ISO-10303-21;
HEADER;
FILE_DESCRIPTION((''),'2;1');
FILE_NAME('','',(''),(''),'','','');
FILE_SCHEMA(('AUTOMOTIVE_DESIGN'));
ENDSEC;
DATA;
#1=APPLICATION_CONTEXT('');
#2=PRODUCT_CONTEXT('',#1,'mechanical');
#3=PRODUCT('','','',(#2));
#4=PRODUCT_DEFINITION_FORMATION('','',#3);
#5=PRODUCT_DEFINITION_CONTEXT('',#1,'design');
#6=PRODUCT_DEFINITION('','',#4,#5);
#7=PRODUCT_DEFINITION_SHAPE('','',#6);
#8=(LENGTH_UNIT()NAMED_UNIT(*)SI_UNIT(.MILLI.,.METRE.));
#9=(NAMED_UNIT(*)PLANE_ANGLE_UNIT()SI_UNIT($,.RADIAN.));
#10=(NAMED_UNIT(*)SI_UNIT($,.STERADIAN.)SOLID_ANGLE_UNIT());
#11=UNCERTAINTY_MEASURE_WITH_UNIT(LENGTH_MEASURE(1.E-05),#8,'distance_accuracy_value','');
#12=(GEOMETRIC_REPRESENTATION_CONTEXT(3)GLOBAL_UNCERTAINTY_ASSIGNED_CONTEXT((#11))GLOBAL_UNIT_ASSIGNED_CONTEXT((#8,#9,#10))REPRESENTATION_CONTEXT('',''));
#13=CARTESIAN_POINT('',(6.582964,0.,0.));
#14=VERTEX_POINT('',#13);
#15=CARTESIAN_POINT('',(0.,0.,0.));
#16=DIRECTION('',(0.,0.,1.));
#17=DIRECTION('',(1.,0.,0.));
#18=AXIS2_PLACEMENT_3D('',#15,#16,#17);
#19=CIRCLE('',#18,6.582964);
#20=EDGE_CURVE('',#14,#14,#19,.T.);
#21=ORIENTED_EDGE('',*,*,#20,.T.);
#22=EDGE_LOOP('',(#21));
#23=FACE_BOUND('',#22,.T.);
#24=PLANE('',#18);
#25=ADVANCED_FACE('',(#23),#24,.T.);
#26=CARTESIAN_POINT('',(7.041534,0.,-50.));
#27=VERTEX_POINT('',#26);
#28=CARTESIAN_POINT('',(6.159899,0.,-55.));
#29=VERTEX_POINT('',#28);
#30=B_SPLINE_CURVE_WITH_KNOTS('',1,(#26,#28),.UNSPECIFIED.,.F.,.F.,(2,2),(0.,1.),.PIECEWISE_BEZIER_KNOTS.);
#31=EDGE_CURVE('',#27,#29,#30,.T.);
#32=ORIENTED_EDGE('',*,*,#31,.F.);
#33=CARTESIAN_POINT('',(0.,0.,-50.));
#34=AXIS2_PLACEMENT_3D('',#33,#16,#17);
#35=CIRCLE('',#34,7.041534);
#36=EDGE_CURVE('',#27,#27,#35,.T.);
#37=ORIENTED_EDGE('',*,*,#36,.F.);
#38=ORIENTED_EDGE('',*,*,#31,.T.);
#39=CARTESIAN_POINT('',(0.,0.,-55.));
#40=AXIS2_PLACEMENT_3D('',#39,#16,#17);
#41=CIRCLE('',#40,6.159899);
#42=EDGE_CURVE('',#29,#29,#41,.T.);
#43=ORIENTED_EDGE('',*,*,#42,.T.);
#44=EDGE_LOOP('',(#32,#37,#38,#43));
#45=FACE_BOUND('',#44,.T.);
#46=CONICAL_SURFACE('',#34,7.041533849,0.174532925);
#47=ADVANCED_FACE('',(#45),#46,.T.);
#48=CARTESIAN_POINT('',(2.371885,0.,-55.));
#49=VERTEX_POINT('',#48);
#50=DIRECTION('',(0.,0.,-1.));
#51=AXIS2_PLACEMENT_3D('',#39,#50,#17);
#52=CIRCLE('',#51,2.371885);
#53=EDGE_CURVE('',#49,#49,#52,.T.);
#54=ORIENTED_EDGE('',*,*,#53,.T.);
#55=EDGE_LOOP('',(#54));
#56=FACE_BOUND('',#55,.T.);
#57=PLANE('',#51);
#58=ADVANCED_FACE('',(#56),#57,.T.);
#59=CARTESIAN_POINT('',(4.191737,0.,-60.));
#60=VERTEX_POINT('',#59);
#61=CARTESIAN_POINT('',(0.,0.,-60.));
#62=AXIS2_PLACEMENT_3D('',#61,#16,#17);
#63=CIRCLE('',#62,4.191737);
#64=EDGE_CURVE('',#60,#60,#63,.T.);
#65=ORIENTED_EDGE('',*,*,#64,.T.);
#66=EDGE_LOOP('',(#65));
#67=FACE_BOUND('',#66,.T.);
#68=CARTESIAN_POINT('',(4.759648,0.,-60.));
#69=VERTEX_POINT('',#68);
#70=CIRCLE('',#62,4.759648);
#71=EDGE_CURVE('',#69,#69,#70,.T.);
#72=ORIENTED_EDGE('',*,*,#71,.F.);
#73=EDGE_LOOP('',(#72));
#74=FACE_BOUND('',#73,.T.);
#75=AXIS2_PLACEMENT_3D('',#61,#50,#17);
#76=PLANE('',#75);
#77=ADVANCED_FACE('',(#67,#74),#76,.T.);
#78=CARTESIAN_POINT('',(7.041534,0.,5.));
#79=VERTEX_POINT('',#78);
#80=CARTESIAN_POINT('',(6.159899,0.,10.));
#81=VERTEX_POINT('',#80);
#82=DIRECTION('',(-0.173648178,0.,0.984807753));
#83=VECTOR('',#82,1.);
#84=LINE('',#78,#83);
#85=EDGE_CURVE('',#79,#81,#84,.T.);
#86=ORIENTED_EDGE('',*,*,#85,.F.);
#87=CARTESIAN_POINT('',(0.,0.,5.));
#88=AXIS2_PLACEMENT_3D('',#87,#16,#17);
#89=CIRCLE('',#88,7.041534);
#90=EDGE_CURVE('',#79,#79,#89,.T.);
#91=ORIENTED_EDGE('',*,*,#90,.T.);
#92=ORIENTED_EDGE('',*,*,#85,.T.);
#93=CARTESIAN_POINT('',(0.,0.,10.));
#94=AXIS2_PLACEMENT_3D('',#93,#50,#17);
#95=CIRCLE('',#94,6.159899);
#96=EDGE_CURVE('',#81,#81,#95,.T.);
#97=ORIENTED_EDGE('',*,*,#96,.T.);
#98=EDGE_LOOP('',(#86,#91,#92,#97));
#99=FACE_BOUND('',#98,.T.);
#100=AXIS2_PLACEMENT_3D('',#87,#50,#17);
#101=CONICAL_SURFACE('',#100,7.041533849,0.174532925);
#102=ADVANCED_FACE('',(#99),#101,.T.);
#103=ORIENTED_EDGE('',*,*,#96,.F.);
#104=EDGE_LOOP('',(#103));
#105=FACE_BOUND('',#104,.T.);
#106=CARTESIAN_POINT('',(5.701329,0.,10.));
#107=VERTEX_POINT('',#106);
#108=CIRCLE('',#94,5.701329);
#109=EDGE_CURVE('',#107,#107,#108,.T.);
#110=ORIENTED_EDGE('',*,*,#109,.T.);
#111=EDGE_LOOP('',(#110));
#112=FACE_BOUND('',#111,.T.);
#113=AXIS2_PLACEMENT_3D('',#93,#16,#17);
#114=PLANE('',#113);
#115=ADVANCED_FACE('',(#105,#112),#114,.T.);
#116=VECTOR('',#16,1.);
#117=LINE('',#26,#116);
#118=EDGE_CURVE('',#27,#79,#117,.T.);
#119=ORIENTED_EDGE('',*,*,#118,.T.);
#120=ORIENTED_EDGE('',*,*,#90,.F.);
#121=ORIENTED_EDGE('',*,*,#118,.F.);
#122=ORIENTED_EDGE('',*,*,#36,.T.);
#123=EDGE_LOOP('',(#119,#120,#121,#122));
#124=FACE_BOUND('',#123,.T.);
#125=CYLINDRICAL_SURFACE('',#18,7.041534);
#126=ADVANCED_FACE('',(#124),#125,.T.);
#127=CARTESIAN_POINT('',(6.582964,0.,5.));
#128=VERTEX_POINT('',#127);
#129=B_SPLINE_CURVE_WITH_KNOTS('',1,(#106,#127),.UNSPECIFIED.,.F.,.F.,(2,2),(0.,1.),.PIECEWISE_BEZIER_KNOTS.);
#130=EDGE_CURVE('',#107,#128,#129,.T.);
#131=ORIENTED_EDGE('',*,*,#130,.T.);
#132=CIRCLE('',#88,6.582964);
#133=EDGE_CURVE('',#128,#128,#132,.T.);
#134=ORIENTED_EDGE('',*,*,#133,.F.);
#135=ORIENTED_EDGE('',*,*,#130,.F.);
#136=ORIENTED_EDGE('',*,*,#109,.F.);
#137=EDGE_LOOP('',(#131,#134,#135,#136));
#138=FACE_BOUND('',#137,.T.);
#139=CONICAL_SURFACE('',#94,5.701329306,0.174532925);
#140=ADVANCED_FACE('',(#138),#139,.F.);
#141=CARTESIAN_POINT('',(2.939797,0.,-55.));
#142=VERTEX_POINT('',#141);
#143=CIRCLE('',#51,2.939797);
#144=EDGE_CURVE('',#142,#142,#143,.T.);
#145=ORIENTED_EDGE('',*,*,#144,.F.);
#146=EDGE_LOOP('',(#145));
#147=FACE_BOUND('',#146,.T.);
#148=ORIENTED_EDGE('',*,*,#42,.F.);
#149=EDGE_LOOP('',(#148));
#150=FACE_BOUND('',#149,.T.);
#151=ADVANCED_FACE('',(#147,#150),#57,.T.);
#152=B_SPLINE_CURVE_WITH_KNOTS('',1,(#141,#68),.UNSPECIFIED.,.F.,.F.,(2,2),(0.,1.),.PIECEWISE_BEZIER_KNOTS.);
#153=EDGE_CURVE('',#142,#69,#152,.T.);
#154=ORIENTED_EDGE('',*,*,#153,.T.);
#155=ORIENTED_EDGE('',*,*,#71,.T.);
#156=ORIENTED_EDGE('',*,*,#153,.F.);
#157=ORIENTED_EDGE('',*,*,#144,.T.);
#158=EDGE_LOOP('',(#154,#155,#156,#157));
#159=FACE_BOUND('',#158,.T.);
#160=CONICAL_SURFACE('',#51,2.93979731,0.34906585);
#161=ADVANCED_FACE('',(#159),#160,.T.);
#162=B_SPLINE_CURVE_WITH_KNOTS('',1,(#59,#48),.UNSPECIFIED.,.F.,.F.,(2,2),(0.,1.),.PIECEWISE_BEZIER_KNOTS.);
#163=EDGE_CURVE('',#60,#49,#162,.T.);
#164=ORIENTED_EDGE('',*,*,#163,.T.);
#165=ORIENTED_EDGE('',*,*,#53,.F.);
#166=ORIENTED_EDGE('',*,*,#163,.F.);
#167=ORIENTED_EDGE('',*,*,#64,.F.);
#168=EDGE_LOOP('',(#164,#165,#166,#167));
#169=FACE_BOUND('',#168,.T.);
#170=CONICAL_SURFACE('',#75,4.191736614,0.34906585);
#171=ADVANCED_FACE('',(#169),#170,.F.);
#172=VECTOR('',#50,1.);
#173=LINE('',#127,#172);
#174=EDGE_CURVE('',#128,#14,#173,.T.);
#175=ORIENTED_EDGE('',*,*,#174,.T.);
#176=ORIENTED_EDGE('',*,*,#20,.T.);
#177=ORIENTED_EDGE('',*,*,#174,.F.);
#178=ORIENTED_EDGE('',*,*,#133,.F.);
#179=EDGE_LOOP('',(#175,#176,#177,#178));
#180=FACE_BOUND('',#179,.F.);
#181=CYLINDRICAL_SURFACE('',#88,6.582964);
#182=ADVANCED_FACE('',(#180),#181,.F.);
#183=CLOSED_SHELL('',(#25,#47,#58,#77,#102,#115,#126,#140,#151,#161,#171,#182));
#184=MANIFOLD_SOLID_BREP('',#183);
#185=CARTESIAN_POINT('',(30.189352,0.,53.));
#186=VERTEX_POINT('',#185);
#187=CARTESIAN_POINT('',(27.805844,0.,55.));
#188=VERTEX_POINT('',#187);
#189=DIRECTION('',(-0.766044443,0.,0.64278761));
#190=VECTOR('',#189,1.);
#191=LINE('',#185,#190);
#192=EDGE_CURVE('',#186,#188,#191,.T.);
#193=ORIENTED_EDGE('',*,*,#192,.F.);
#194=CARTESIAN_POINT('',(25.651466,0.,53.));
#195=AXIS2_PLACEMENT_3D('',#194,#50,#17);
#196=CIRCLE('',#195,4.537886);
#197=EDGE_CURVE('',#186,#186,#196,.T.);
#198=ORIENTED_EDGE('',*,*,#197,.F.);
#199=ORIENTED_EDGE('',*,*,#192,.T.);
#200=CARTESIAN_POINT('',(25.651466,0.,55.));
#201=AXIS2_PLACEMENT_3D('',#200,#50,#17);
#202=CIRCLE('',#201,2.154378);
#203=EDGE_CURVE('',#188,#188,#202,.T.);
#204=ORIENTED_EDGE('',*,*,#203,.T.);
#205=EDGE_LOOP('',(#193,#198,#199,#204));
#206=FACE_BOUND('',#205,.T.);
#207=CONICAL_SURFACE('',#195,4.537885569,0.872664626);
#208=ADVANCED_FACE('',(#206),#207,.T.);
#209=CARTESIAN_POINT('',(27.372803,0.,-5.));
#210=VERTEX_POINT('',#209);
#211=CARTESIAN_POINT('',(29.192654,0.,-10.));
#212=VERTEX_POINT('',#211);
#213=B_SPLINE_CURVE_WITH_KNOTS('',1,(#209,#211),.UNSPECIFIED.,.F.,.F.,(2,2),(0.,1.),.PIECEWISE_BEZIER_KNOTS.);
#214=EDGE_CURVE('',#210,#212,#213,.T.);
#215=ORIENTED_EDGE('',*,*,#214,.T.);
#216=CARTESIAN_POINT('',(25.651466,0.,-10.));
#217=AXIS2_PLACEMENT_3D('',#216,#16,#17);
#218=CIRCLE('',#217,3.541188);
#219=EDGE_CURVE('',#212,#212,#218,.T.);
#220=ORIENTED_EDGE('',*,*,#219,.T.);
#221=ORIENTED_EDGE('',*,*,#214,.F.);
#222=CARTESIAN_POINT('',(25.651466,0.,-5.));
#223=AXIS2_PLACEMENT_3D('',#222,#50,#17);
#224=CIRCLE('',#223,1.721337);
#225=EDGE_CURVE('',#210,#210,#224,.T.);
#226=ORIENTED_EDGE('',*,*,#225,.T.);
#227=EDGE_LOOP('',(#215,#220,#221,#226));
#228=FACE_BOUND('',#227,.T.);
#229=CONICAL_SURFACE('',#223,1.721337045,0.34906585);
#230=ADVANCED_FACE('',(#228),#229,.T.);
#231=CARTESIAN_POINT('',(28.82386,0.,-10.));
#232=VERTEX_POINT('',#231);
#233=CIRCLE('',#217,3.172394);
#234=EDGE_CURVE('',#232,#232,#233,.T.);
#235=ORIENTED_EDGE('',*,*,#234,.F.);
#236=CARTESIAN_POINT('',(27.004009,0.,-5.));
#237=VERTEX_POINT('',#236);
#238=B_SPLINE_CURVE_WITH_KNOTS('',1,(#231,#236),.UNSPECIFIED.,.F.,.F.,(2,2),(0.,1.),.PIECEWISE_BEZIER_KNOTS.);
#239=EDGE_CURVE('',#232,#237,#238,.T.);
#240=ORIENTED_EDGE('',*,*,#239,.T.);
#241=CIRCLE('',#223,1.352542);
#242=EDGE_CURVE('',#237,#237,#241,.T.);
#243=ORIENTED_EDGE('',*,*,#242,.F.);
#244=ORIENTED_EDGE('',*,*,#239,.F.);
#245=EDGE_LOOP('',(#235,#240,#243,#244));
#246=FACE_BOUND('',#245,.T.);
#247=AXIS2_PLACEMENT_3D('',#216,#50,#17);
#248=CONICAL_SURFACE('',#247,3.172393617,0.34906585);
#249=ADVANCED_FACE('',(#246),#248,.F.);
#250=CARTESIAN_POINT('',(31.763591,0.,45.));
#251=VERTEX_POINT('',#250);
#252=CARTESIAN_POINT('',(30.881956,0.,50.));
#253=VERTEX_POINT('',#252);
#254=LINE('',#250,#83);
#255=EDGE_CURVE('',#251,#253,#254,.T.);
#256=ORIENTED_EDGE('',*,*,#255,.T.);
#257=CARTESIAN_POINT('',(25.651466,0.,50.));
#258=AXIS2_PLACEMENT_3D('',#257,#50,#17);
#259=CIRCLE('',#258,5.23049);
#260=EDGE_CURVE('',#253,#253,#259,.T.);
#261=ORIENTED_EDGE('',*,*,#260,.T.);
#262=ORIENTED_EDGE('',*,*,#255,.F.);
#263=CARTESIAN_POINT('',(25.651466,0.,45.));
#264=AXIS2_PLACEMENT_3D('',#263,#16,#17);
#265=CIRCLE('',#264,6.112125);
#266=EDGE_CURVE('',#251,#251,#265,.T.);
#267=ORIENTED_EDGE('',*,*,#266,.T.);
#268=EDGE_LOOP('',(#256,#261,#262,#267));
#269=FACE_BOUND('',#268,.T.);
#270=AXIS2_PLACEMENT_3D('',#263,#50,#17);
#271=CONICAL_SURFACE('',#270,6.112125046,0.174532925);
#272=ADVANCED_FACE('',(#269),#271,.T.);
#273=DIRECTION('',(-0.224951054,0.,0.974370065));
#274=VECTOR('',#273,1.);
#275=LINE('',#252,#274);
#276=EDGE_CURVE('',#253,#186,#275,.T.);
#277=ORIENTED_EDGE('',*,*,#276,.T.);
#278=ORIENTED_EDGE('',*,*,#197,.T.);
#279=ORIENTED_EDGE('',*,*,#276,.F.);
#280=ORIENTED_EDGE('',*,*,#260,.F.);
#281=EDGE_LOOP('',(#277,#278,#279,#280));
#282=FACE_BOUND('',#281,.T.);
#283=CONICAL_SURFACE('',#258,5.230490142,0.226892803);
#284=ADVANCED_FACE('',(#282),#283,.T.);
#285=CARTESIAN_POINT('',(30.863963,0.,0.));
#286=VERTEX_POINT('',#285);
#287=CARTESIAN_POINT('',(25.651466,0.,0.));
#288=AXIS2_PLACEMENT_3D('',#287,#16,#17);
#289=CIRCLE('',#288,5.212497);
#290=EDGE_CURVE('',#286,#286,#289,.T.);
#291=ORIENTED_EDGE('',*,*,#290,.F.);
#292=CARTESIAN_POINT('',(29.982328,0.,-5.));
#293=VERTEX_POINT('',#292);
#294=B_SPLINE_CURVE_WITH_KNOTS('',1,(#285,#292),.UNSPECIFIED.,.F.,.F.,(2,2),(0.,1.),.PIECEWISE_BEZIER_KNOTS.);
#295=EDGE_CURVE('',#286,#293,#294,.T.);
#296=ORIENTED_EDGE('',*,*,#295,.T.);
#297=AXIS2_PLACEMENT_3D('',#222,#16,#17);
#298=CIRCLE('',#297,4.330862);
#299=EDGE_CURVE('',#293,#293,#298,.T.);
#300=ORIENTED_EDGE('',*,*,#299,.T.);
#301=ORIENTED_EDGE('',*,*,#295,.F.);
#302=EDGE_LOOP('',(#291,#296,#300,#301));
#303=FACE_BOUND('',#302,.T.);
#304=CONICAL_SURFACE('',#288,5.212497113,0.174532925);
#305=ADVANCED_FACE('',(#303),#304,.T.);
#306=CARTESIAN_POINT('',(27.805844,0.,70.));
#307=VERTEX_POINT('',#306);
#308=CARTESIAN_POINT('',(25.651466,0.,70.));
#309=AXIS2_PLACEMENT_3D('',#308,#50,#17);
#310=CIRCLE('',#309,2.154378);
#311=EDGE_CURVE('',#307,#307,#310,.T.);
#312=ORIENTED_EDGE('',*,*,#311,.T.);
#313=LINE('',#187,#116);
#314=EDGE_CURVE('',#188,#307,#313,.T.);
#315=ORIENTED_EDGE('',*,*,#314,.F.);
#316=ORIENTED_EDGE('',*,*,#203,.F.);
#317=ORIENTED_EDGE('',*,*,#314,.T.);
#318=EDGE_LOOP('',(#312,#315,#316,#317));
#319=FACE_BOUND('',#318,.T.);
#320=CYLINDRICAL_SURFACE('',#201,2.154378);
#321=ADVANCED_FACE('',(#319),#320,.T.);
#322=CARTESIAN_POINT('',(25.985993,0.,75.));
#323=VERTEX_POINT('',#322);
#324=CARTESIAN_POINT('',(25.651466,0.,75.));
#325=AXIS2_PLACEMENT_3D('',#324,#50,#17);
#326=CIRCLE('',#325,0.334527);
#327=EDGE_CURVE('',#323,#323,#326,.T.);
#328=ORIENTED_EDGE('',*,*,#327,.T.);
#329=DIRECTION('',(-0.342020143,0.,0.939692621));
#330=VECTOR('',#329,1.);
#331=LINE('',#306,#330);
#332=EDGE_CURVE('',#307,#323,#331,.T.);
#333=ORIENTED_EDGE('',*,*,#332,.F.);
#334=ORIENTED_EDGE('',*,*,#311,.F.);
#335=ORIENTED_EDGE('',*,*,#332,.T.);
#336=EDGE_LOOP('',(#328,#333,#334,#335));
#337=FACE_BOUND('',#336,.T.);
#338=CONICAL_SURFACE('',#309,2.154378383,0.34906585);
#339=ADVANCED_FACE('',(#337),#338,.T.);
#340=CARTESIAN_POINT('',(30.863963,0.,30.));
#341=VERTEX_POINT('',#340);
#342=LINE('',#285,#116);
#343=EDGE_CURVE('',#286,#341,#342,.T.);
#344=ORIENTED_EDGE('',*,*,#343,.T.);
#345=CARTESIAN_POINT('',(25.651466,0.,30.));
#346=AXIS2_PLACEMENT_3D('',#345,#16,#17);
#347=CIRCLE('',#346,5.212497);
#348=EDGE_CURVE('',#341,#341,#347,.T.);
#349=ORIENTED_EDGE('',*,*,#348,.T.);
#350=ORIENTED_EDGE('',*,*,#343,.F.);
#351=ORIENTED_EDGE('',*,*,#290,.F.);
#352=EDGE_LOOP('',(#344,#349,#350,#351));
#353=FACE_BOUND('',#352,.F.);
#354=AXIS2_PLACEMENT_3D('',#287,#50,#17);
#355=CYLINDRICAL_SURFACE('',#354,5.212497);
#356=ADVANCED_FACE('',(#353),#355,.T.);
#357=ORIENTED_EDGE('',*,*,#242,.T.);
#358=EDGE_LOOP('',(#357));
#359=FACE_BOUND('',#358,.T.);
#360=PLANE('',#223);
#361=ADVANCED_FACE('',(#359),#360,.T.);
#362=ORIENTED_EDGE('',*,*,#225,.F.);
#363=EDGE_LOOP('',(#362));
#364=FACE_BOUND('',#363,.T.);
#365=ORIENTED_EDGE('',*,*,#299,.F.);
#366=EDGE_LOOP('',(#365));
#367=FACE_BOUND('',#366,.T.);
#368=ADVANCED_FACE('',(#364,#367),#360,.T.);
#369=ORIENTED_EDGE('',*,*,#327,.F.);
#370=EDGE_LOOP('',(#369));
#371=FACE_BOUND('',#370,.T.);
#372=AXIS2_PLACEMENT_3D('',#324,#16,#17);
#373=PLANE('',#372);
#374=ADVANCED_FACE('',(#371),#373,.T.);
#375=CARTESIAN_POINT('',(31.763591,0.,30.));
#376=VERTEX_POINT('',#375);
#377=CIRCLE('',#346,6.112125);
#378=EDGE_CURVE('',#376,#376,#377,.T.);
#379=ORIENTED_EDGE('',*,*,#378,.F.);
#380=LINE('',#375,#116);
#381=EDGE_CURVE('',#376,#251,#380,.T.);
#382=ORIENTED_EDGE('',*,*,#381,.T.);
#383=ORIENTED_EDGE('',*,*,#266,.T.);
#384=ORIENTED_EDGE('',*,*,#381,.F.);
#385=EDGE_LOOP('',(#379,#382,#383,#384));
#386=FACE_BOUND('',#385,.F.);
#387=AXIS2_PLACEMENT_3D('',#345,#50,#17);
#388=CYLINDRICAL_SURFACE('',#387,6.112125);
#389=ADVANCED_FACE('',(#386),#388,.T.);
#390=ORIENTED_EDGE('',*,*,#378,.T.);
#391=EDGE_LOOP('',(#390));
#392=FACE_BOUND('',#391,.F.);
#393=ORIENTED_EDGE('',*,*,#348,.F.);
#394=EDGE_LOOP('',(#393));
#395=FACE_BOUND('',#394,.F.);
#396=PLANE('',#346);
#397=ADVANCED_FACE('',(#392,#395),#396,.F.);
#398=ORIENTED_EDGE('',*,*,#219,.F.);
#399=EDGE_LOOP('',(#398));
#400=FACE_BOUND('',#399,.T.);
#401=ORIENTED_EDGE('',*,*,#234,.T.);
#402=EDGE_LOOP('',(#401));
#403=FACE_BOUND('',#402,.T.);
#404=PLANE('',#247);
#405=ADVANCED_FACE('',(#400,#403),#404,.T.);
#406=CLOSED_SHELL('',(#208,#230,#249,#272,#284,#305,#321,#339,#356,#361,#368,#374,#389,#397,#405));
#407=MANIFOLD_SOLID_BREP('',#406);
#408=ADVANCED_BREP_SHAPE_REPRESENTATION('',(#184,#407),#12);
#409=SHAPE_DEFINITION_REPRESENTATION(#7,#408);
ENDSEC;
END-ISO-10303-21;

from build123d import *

# Parameters (mm, degrees)
F0_R          = 7.0415338491
F1_DEPTH      = 5
F1_DEPTH_BACK = 50
F1_FACE_R     = 7.0415338491
F2_DEPTH      = 5
F2_TAPER      = 10
F1_FACE1_R    = 7.0415338491
F3_DEPTH      = 5
F3_TAPER      = 10
F4_R          = 5.7013293064
F5_DEPTH      = 5
F5_TAPER      = -10
F6_R          = 2.93979731
F7_DEPTH      = 5
F7_TAPER      = -20
F8_R          = 4.1917366142
F9_DEPTH      = 5
F9_TAPER      = 20
F10_R         = 5.2124971129
F11_DEPTH     = 30
F11_FACE_R    = 5.2124971129
F12_DEPTH     = 5
F12_TAPER     = 10
F13_R         = 1.7213370452
F14_DEPTH     = 5
F14_TAPER     = -20
F15_R         = 3.1723936167
F16_DEPTH     = 5
F16_TAPER     = 20
F17_DEPTH     = 5
F18_R         = 6.1121250455
F19_DEPTH     = 15
F19_FACE_R    = 6.1121250455
F20_DEPTH     = 5
F20_TAPER     = 10
F20_FACE_R    = 5.230490142
F21_DEPTH     = 3
F21_TAPER     = 13
F21_FACE_R    = 4.5378855686
F22_DEPTH     = 2
F22_TAPER     = 50
F23_DEPTH     = 15
F23_FACE_R    = 2.1543783834
F24_DEPTH     = 5
F24_TAPER     = 20


with BuildPart() as f1:
    # F0 (on Top) → F1 (new body, two sides)
    with BuildSketch(Plane.XY) as f1_sk:
        Circle(F0_R)
    extrude(amount=F1_DEPTH)
    extrude(f1_sk.sketch, amount=-F1_DEPTH_BACK)

    # F1_face (on face) → F2 (join)
    with BuildSketch(Plane(origin=(0, 0, -50), x_dir=(1, 0, 0), z_dir=(0, 0, -1))):
        Circle(F1_FACE_R)
    extrude(amount=F2_DEPTH, taper=F2_TAPER)

    # F1_face1 (on face) → F3 (join)
    with BuildSketch(Plane.XY.offset(5)):
        Circle(F1_FACE1_R)
    extrude(amount=F3_DEPTH, taper=F3_TAPER)

    # F4 (on face) → F5 (cut)
    with BuildSketch(Plane.XY.offset(10)):
        Circle(F4_R)
    extrude(amount=-F5_DEPTH, taper=F5_TAPER, mode=Mode.SUBTRACT)

    # F6 (on face) → F7 (join)
    with BuildSketch(Plane(origin=(0, 0, -55), x_dir=(1, 0, 0), z_dir=(0, 0, -1))):
        Circle(F6_R)
    extrude(amount=F7_DEPTH, taper=F7_TAPER)

    # F8 (on face) → F9 (cut)
    with BuildSketch(Plane(origin=(0, 0, -60), x_dir=(1, 0, 0), z_dir=(0, 0, -1))):
        Circle(F8_R)
    extrude(amount=-F9_DEPTH, taper=F9_TAPER, mode=Mode.SUBTRACT)

    # F17 (cut): a face of the model
    f17_faces = [f1.faces().sort_by_distance(p)[0] for p in [
        (0, 0, 5),
    ]]
    extrude(f17_faces, amount=-F17_DEPTH, mode=Mode.SUBTRACT)


with BuildPart() as f11:
    # F10 (on Top) → F11 (new body)
    with BuildSketch(Plane.XY):
        with Locations((25.6514661014, 0)):
            Circle(F10_R)
    extrude(amount=F11_DEPTH)

    # F11_face (on face) → F12 (join)
    with BuildSketch(Plane(origin=(25.6514661014, 0, 0), x_dir=(1, 0, 0), z_dir=(0, 0, -1))):
        Circle(F11_FACE_R)
    extrude(amount=F12_DEPTH, taper=F12_TAPER)

    # F13 (on face) → F14 (join)
    with BuildSketch(Plane(origin=(0, 0, -5), x_dir=(1, 0, 0), z_dir=(0, 0, -1))):
        with Locations((25.6514661014, 0)):
            Circle(F13_R)
    extrude(amount=F14_DEPTH, taper=F14_TAPER)

    # F15 (on face) → F16 (cut)
    with BuildSketch(Plane(origin=(0, 0, -10), x_dir=(1, 0, 0), z_dir=(0, 0, -1))):
        with Locations((25.6514661014, 0)):
            Circle(F15_R)
    extrude(amount=-F16_DEPTH, taper=F16_TAPER, mode=Mode.SUBTRACT)

    # F18 (on face) → F19 (join)
    with BuildSketch(Plane.XY.offset(30)):
        with Locations((25.6514661014, 0)):
            Circle(F18_R)
    extrude(amount=F19_DEPTH)

    # F19_face (on face) → F20 (join)
    with BuildSketch(Plane(origin=(25.6514661014, 0, 45), x_dir=(1, 0, 0), z_dir=(0, 0, 1))):
        Circle(F19_FACE_R)
    extrude(amount=F20_DEPTH, taper=F20_TAPER)

    # F20_face (on face) → F21 (join)
    with BuildSketch(Plane(origin=(25.6514661014, 0, 50), x_dir=(1, 0, 0), z_dir=(0, 0, 1))):
        Circle(F20_FACE_R)
    extrude(amount=F21_DEPTH, taper=F21_TAPER)

    # F21_face (on face) → F22 (join)
    with BuildSketch(Plane(origin=(25.6514661014, 0, 53), x_dir=(1, 0, 0), z_dir=(0, 0, 1))):
        Circle(F21_FACE_R)
    extrude(amount=F22_DEPTH, taper=F22_TAPER)

    # F23 (add): a face of the model
    f23_faces = [f11.faces().sort_by_distance(p)[0] for p in [
        (25.6514661014, 0, 55),
    ]]
    extrude(f23_faces, amount=F23_DEPTH)

    # F23_face (on face) → F24 (join)
    with BuildSketch(Plane(origin=(25.6514661014, 0, 70), x_dir=(1, 0, 0), z_dir=(0, 0, 1))):
        Circle(F23_FACE_R)
    extrude(amount=F24_DEPTH, taper=F24_TAPER)


solid = Compound([f1.part, f11.part])
